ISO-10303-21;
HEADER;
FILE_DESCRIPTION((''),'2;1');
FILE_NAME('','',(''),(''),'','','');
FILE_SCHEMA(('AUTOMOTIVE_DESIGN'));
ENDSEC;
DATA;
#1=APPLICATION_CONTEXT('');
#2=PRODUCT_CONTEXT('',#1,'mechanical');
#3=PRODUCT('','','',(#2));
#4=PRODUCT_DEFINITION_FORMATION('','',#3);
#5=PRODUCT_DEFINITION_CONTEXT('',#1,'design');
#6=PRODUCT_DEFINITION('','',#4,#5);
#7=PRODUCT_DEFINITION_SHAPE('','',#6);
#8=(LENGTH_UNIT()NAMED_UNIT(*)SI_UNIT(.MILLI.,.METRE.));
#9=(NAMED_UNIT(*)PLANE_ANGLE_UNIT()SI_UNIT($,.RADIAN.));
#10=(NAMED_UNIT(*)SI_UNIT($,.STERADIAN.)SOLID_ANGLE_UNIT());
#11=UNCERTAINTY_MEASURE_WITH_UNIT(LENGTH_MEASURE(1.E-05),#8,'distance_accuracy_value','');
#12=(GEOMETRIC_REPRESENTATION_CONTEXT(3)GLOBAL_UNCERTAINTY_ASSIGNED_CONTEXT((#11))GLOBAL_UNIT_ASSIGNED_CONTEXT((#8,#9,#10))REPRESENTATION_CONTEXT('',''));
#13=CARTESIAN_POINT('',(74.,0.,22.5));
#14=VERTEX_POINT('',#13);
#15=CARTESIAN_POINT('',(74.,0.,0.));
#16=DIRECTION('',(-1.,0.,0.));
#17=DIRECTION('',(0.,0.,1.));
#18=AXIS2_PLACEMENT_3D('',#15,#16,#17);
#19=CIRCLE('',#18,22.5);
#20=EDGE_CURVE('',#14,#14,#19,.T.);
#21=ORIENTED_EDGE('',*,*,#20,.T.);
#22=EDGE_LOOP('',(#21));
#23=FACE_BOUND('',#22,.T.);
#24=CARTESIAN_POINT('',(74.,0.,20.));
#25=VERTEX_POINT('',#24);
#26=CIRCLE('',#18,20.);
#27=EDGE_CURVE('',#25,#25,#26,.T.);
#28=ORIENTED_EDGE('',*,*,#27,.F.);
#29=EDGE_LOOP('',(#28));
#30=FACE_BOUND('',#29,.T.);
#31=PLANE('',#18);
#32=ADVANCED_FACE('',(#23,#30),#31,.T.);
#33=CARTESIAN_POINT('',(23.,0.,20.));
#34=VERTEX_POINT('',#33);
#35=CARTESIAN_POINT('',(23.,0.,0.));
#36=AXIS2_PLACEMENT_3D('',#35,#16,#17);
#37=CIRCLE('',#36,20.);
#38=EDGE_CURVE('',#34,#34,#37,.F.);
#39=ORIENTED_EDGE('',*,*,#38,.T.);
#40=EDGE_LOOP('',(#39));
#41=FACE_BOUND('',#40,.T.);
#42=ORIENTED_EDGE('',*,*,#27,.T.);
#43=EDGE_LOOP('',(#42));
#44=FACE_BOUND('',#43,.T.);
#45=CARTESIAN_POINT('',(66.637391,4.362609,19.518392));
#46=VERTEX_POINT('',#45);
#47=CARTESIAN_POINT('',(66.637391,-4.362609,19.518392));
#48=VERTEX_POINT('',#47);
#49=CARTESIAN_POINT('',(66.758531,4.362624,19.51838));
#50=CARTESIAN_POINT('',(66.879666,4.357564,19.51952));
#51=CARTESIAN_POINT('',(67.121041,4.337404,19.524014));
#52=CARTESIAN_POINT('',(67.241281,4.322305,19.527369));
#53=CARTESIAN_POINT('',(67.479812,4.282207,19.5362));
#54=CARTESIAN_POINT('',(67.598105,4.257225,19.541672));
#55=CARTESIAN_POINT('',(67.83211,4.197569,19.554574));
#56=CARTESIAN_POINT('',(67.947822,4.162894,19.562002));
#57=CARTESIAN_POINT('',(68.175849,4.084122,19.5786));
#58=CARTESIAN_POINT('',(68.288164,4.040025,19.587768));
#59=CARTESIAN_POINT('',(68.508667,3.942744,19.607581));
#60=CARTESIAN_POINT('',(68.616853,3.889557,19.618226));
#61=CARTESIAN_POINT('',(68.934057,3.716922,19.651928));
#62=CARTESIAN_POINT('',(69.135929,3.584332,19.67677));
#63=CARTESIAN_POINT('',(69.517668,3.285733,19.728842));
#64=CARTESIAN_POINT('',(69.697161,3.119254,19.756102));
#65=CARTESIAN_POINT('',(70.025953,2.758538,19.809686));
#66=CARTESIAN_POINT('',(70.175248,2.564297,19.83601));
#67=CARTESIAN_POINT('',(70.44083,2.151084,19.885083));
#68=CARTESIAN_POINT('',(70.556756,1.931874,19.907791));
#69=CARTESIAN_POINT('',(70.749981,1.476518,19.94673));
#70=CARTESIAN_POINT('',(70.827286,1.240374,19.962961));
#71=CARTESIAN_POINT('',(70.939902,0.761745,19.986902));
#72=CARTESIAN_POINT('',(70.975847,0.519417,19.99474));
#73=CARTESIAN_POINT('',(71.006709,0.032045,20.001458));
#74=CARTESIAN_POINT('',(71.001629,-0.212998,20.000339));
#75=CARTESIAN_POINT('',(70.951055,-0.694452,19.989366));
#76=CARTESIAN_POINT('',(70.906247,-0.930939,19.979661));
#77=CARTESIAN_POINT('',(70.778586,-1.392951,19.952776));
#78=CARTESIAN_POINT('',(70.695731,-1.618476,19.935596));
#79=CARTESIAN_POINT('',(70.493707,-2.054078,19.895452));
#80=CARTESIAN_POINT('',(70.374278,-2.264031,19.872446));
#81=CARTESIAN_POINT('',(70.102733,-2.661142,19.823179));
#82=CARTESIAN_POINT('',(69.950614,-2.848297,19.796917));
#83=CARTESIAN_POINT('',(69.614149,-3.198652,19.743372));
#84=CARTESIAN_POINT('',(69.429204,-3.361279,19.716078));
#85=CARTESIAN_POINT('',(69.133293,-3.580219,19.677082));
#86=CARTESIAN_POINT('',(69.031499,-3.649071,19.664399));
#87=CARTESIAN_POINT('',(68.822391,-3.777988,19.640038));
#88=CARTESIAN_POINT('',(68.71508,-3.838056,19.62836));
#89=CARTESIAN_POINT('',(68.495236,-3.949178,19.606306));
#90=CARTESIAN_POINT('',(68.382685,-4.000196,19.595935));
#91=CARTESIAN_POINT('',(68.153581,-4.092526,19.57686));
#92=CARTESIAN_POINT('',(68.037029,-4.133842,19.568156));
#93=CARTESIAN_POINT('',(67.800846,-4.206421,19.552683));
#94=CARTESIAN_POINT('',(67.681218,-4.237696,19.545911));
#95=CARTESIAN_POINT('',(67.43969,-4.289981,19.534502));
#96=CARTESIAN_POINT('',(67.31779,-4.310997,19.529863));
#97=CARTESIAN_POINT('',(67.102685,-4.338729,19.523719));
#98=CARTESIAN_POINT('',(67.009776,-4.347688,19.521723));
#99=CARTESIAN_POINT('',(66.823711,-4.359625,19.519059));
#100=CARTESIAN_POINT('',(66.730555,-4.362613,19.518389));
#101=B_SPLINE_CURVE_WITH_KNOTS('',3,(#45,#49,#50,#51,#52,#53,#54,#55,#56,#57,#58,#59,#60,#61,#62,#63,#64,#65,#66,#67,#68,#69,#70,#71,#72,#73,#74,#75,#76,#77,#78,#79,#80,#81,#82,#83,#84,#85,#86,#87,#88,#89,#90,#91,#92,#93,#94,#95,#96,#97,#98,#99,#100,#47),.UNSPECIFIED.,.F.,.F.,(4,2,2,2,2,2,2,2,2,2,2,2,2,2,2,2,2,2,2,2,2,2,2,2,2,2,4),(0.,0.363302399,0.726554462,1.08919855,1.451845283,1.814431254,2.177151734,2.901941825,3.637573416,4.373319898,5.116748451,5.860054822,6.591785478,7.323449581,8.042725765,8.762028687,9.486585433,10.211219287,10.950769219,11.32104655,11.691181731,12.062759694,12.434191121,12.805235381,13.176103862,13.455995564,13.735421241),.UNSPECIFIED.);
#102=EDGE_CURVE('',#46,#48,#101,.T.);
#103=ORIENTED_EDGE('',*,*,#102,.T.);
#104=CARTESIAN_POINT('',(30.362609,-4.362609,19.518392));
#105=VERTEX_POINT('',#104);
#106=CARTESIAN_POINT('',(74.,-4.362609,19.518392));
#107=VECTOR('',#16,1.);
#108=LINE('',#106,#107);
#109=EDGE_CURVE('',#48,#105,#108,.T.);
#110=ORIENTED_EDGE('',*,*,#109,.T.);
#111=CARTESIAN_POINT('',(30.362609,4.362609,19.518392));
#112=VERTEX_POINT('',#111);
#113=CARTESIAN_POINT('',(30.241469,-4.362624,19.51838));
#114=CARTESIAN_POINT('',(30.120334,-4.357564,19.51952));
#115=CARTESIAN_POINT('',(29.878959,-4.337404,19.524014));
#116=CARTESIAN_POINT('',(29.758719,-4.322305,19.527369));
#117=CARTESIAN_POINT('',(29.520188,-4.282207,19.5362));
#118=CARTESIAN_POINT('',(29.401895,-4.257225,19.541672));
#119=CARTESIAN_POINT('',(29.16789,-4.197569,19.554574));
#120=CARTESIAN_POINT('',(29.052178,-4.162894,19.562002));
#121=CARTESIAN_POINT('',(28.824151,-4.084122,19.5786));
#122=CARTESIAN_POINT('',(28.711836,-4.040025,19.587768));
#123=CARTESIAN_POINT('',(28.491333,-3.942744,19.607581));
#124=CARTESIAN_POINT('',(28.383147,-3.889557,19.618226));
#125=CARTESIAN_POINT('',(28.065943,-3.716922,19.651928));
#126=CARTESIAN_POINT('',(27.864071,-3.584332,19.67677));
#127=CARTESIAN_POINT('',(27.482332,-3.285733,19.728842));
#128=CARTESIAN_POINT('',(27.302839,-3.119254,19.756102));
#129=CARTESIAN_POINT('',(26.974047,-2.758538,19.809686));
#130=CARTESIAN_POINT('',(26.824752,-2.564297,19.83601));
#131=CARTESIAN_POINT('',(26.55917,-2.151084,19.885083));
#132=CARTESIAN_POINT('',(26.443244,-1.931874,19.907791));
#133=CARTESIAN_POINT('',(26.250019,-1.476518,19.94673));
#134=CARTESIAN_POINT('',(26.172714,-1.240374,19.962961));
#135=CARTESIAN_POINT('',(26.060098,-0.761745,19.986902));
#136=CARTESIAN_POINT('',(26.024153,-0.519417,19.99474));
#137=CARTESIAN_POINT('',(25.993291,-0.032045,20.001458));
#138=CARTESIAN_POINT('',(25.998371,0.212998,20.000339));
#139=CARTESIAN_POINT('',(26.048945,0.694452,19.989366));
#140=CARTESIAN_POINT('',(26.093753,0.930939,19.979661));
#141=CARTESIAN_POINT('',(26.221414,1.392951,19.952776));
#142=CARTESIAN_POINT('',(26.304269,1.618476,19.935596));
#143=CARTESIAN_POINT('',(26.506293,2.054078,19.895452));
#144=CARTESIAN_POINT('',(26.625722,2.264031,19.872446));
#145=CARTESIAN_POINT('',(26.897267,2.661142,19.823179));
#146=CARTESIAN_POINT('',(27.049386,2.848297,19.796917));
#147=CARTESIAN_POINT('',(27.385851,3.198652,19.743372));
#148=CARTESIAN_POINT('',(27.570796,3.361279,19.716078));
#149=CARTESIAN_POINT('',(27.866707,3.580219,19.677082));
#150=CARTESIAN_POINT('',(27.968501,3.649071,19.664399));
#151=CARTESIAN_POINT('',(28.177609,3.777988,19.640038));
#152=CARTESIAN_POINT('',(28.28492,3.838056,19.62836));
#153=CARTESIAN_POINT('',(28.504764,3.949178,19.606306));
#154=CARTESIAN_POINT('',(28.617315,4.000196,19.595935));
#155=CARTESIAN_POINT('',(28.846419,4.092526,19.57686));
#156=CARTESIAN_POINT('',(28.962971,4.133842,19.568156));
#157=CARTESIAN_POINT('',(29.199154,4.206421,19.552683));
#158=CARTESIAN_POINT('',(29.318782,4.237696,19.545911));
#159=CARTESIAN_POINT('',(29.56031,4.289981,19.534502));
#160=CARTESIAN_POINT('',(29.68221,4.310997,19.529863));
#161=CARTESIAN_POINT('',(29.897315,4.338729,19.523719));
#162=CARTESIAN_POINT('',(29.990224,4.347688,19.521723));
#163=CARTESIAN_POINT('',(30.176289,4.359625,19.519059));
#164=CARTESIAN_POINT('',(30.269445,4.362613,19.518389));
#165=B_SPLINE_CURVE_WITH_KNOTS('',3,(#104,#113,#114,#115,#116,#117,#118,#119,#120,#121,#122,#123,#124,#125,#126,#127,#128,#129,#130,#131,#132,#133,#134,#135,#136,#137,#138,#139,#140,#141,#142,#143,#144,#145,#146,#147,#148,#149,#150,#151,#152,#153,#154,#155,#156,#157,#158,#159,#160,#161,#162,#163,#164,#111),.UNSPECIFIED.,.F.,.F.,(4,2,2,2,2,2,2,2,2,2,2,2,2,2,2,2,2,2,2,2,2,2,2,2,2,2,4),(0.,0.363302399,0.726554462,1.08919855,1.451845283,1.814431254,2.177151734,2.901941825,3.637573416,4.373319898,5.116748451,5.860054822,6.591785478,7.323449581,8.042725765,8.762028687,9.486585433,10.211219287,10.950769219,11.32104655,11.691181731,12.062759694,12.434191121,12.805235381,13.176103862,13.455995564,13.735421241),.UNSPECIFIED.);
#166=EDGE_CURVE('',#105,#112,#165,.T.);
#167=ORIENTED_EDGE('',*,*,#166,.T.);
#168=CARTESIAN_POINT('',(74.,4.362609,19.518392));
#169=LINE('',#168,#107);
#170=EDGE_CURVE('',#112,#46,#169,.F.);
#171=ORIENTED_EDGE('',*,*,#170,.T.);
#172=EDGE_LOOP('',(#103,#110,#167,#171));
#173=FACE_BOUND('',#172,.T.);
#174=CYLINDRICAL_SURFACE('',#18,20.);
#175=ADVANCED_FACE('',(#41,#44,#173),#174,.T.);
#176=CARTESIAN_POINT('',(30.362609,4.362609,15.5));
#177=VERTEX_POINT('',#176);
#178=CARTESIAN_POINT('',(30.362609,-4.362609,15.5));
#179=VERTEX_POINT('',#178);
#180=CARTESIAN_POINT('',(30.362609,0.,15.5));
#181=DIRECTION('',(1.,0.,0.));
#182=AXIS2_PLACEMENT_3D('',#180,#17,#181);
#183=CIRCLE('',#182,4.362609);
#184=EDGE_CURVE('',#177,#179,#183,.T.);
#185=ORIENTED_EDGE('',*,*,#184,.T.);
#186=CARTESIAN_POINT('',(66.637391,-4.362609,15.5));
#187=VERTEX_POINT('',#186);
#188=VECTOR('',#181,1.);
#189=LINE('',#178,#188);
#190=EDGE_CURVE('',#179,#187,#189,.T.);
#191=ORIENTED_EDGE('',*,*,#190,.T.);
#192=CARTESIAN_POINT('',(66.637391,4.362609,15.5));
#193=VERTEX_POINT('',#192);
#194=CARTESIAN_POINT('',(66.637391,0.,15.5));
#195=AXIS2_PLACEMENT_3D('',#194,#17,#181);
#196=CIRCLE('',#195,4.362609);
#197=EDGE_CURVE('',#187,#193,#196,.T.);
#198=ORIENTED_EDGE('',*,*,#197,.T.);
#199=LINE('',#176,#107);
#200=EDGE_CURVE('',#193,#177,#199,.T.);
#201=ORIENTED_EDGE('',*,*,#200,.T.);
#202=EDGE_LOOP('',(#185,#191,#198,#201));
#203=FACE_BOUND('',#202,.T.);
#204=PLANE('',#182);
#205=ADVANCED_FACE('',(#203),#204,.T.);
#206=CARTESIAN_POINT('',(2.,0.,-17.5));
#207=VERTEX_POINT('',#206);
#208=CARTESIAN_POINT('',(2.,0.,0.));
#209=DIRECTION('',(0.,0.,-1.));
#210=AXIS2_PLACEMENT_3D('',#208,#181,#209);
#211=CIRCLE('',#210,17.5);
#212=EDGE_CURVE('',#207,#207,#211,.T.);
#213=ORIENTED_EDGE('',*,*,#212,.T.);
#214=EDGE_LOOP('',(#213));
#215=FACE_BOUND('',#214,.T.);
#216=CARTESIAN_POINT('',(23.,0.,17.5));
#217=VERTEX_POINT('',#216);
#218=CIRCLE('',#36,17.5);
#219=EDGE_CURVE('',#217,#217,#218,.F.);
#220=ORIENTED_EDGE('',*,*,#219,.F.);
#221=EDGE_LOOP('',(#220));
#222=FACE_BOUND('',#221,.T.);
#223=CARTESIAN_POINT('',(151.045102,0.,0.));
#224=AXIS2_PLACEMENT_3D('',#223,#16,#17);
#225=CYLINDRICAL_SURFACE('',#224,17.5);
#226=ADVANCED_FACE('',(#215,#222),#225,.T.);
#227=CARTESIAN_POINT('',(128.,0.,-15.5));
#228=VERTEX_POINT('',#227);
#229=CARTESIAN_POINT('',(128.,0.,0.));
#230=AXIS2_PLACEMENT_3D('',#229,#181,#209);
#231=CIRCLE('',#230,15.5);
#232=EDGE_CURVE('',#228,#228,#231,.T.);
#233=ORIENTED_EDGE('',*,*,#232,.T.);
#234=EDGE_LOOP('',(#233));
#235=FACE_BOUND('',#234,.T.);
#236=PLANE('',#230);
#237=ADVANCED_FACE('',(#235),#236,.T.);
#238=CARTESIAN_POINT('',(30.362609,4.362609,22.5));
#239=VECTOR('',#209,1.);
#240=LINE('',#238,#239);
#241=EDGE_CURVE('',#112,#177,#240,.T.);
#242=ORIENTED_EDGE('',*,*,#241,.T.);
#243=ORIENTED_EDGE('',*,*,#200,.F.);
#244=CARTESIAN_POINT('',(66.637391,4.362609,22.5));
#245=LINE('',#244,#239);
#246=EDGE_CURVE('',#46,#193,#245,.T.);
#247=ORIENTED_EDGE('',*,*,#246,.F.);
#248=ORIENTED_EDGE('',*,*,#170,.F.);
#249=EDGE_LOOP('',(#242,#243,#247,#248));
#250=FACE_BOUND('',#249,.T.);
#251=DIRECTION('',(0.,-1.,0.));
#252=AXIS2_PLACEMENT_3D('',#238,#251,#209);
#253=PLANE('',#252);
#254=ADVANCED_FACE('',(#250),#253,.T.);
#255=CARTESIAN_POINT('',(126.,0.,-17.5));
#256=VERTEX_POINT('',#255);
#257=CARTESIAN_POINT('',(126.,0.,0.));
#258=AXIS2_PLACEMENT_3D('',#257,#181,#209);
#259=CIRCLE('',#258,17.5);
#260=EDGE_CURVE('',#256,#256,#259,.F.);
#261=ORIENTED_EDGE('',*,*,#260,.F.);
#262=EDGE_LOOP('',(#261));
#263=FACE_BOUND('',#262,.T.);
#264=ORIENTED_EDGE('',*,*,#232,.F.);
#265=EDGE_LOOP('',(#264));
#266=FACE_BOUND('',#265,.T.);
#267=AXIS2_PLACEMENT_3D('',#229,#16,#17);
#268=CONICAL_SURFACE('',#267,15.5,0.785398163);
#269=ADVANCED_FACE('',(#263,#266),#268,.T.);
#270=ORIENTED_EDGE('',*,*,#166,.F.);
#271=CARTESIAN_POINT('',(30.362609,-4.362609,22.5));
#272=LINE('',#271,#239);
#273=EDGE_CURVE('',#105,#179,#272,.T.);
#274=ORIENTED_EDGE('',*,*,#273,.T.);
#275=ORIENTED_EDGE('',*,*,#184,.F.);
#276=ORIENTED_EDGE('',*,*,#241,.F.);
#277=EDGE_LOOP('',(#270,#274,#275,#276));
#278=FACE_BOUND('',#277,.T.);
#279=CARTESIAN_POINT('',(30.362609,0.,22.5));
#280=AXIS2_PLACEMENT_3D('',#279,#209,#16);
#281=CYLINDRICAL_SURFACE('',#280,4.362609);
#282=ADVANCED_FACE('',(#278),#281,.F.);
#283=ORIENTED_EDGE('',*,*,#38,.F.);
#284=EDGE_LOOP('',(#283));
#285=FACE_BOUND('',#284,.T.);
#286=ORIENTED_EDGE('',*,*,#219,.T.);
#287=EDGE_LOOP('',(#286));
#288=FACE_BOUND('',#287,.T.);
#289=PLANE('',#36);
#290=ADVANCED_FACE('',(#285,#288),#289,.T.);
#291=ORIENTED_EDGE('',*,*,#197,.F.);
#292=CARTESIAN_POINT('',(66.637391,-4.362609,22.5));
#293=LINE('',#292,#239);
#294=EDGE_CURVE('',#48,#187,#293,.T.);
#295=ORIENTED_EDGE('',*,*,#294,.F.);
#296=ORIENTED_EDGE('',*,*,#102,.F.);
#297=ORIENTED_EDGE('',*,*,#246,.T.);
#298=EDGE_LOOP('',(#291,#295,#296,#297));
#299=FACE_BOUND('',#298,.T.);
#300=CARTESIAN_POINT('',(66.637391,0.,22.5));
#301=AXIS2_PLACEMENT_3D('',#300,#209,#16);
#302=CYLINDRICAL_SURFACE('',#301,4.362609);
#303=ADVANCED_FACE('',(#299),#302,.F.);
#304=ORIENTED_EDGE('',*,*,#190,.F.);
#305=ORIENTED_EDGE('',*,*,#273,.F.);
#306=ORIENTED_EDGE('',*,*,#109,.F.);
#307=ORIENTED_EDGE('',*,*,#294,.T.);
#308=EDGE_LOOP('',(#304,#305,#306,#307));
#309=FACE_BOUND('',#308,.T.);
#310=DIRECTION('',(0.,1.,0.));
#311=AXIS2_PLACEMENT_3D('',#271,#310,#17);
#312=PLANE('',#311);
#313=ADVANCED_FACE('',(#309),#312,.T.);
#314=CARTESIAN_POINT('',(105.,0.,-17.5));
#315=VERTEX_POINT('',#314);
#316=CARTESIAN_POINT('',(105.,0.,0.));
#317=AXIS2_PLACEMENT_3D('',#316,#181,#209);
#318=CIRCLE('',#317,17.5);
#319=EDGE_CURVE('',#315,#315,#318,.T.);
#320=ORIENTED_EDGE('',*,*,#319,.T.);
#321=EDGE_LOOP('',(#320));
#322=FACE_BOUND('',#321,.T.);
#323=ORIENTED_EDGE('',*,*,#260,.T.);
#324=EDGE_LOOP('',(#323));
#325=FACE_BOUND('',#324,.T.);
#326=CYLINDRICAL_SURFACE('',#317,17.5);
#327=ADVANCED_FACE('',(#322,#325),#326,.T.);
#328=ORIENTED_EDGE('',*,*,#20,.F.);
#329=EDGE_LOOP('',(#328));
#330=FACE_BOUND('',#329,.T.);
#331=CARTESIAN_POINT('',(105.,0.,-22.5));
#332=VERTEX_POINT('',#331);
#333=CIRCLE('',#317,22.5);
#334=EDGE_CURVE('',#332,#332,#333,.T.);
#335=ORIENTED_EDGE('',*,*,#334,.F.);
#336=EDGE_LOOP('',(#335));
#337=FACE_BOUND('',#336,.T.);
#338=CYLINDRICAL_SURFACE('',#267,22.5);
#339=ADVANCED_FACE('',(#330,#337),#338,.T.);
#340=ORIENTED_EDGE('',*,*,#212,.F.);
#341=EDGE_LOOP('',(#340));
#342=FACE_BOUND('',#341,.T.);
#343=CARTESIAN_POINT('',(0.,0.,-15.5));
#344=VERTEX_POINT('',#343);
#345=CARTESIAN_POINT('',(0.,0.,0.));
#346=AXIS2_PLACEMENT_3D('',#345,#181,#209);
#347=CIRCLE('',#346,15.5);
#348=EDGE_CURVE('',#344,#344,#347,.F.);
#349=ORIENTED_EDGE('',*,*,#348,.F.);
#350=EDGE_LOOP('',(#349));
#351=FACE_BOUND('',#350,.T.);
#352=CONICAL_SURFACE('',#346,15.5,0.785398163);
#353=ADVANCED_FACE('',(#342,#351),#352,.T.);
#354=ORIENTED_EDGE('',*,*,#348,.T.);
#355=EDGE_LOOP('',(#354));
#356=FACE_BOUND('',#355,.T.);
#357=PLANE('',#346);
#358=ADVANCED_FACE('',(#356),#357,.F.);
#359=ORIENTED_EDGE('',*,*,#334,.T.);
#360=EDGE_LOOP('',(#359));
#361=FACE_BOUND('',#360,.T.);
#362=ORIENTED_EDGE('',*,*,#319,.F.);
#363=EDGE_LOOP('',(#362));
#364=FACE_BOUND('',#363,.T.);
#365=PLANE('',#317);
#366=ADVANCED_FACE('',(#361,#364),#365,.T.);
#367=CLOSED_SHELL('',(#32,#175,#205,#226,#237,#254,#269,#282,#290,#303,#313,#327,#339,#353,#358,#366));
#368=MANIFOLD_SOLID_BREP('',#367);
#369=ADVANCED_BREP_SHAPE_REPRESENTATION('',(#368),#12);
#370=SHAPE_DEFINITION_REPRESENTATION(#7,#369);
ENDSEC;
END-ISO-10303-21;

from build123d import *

# Parameters (mm, degrees)
SKETCH_1_R          = 22.5
EXTRUDE_1_DEPTH     = 128
SKETCH_2_OUTSIDE_W  = 75.59
SKETCH_2_OUTSIDE_H  = 75.59
SKETCH_2_OUTSIDE_R  = 17.5
CUT_EXTRUDE_1_DEPTH = 23
SKETCH_3_OUTSIDE_W  = 75.59
SKETCH_3_OUTSIDE_H  = 75.59
SKETCH_3_OUTSIDE_R  = 20
CUT_EXTRUDE_2_DEPTH = 74
SKETCH_4_OUTSIDE_W  = 75.59
SKETCH_4_OUTSIDE_H  = 75.59
SKETCH_4_OUTSIDE_R  = 17.5
CUT_EXTRUDE_3_DEPTH = 23
CUT_EXTRUDE_START   = 15.5
CUT_EXTRUDE_4_DEPTH = 117.3957922
CHAMFER_1_SIZE      = 2


with BuildPart() as part:
    # 草图1 → 凸台-拉伸1 (new body)
    with BuildSketch(Plane(origin=(0, 0, 0), x_dir=(0, 0, -1), z_dir=(1, 0, 0))):
        Circle(SKETCH_1_R)
    extrude(amount=EXTRUDE_1_DEPTH)

    # 草图2 outside → 切除-拉伸1 (cut)
    with BuildSketch(Plane(origin=(128, 0, 0), x_dir=(0, 0, -1), z_dir=(1, 0, 0))):
        Rectangle(SKETCH_2_OUTSIDE_W, SKETCH_2_OUTSIDE_H)
        Circle(SKETCH_2_OUTSIDE_R, mode=Mode.SUBTRACT)
    extrude(amount=-CUT_EXTRUDE_1_DEPTH, mode=Mode.SUBTRACT)

    # 草图3 outside → 切除-拉伸2 (cut)
    with BuildSketch(Plane.ZY):
        Rectangle(SKETCH_3_OUTSIDE_W, SKETCH_3_OUTSIDE_H)
        Circle(SKETCH_3_OUTSIDE_R, mode=Mode.SUBTRACT)
    extrude(amount=-CUT_EXTRUDE_2_DEPTH, mode=Mode.SUBTRACT)

    # 草图4 outside → 切除-拉伸3 (cut)
    with BuildSketch(Plane.ZY):
        Rectangle(SKETCH_4_OUTSIDE_W, SKETCH_4_OUTSIDE_H)
        with Locations(Location((0, 0, 0), (0, 0, 180))):
            Circle(SKETCH_4_OUTSIDE_R, mode=Mode.SUBTRACT)
    extrude(amount=-CUT_EXTRUDE_3_DEPTH, mode=Mode.SUBTRACT)

    # 草图5 → 切除-拉伸4 (cut, through all)
    with BuildSketch(Plane.XY.offset(CUT_EXTRUDE_START)):
        with BuildLine():
            Line((30.362609491, 4.362609491), (66.637390509, 4.362609491))
            ThreePointArc((66.637390509, 4.362609491), (71, 0), (66.637390509, -4.362609491))
            Line((66.637390509, -4.362609491), (30.362609491, -4.362609491))
            ThreePointArc((30.362609491, -4.362609491), (26, 0), (30.362609491, 4.362609491))
        make_face()
    extrude(amount=CUT_EXTRUDE_4_DEPTH, mode=Mode.SUBTRACT)

    # 倒角1
    chamfer_1_edges = [part.edges().sort_by_distance(p)[0] for p in [
        (128, 0, 17.5),
        (0, 0, 17.5),
    ]]
    chamfer(chamfer_1_edges, length=CHAMFER_1_SIZE)


solid = part.part
